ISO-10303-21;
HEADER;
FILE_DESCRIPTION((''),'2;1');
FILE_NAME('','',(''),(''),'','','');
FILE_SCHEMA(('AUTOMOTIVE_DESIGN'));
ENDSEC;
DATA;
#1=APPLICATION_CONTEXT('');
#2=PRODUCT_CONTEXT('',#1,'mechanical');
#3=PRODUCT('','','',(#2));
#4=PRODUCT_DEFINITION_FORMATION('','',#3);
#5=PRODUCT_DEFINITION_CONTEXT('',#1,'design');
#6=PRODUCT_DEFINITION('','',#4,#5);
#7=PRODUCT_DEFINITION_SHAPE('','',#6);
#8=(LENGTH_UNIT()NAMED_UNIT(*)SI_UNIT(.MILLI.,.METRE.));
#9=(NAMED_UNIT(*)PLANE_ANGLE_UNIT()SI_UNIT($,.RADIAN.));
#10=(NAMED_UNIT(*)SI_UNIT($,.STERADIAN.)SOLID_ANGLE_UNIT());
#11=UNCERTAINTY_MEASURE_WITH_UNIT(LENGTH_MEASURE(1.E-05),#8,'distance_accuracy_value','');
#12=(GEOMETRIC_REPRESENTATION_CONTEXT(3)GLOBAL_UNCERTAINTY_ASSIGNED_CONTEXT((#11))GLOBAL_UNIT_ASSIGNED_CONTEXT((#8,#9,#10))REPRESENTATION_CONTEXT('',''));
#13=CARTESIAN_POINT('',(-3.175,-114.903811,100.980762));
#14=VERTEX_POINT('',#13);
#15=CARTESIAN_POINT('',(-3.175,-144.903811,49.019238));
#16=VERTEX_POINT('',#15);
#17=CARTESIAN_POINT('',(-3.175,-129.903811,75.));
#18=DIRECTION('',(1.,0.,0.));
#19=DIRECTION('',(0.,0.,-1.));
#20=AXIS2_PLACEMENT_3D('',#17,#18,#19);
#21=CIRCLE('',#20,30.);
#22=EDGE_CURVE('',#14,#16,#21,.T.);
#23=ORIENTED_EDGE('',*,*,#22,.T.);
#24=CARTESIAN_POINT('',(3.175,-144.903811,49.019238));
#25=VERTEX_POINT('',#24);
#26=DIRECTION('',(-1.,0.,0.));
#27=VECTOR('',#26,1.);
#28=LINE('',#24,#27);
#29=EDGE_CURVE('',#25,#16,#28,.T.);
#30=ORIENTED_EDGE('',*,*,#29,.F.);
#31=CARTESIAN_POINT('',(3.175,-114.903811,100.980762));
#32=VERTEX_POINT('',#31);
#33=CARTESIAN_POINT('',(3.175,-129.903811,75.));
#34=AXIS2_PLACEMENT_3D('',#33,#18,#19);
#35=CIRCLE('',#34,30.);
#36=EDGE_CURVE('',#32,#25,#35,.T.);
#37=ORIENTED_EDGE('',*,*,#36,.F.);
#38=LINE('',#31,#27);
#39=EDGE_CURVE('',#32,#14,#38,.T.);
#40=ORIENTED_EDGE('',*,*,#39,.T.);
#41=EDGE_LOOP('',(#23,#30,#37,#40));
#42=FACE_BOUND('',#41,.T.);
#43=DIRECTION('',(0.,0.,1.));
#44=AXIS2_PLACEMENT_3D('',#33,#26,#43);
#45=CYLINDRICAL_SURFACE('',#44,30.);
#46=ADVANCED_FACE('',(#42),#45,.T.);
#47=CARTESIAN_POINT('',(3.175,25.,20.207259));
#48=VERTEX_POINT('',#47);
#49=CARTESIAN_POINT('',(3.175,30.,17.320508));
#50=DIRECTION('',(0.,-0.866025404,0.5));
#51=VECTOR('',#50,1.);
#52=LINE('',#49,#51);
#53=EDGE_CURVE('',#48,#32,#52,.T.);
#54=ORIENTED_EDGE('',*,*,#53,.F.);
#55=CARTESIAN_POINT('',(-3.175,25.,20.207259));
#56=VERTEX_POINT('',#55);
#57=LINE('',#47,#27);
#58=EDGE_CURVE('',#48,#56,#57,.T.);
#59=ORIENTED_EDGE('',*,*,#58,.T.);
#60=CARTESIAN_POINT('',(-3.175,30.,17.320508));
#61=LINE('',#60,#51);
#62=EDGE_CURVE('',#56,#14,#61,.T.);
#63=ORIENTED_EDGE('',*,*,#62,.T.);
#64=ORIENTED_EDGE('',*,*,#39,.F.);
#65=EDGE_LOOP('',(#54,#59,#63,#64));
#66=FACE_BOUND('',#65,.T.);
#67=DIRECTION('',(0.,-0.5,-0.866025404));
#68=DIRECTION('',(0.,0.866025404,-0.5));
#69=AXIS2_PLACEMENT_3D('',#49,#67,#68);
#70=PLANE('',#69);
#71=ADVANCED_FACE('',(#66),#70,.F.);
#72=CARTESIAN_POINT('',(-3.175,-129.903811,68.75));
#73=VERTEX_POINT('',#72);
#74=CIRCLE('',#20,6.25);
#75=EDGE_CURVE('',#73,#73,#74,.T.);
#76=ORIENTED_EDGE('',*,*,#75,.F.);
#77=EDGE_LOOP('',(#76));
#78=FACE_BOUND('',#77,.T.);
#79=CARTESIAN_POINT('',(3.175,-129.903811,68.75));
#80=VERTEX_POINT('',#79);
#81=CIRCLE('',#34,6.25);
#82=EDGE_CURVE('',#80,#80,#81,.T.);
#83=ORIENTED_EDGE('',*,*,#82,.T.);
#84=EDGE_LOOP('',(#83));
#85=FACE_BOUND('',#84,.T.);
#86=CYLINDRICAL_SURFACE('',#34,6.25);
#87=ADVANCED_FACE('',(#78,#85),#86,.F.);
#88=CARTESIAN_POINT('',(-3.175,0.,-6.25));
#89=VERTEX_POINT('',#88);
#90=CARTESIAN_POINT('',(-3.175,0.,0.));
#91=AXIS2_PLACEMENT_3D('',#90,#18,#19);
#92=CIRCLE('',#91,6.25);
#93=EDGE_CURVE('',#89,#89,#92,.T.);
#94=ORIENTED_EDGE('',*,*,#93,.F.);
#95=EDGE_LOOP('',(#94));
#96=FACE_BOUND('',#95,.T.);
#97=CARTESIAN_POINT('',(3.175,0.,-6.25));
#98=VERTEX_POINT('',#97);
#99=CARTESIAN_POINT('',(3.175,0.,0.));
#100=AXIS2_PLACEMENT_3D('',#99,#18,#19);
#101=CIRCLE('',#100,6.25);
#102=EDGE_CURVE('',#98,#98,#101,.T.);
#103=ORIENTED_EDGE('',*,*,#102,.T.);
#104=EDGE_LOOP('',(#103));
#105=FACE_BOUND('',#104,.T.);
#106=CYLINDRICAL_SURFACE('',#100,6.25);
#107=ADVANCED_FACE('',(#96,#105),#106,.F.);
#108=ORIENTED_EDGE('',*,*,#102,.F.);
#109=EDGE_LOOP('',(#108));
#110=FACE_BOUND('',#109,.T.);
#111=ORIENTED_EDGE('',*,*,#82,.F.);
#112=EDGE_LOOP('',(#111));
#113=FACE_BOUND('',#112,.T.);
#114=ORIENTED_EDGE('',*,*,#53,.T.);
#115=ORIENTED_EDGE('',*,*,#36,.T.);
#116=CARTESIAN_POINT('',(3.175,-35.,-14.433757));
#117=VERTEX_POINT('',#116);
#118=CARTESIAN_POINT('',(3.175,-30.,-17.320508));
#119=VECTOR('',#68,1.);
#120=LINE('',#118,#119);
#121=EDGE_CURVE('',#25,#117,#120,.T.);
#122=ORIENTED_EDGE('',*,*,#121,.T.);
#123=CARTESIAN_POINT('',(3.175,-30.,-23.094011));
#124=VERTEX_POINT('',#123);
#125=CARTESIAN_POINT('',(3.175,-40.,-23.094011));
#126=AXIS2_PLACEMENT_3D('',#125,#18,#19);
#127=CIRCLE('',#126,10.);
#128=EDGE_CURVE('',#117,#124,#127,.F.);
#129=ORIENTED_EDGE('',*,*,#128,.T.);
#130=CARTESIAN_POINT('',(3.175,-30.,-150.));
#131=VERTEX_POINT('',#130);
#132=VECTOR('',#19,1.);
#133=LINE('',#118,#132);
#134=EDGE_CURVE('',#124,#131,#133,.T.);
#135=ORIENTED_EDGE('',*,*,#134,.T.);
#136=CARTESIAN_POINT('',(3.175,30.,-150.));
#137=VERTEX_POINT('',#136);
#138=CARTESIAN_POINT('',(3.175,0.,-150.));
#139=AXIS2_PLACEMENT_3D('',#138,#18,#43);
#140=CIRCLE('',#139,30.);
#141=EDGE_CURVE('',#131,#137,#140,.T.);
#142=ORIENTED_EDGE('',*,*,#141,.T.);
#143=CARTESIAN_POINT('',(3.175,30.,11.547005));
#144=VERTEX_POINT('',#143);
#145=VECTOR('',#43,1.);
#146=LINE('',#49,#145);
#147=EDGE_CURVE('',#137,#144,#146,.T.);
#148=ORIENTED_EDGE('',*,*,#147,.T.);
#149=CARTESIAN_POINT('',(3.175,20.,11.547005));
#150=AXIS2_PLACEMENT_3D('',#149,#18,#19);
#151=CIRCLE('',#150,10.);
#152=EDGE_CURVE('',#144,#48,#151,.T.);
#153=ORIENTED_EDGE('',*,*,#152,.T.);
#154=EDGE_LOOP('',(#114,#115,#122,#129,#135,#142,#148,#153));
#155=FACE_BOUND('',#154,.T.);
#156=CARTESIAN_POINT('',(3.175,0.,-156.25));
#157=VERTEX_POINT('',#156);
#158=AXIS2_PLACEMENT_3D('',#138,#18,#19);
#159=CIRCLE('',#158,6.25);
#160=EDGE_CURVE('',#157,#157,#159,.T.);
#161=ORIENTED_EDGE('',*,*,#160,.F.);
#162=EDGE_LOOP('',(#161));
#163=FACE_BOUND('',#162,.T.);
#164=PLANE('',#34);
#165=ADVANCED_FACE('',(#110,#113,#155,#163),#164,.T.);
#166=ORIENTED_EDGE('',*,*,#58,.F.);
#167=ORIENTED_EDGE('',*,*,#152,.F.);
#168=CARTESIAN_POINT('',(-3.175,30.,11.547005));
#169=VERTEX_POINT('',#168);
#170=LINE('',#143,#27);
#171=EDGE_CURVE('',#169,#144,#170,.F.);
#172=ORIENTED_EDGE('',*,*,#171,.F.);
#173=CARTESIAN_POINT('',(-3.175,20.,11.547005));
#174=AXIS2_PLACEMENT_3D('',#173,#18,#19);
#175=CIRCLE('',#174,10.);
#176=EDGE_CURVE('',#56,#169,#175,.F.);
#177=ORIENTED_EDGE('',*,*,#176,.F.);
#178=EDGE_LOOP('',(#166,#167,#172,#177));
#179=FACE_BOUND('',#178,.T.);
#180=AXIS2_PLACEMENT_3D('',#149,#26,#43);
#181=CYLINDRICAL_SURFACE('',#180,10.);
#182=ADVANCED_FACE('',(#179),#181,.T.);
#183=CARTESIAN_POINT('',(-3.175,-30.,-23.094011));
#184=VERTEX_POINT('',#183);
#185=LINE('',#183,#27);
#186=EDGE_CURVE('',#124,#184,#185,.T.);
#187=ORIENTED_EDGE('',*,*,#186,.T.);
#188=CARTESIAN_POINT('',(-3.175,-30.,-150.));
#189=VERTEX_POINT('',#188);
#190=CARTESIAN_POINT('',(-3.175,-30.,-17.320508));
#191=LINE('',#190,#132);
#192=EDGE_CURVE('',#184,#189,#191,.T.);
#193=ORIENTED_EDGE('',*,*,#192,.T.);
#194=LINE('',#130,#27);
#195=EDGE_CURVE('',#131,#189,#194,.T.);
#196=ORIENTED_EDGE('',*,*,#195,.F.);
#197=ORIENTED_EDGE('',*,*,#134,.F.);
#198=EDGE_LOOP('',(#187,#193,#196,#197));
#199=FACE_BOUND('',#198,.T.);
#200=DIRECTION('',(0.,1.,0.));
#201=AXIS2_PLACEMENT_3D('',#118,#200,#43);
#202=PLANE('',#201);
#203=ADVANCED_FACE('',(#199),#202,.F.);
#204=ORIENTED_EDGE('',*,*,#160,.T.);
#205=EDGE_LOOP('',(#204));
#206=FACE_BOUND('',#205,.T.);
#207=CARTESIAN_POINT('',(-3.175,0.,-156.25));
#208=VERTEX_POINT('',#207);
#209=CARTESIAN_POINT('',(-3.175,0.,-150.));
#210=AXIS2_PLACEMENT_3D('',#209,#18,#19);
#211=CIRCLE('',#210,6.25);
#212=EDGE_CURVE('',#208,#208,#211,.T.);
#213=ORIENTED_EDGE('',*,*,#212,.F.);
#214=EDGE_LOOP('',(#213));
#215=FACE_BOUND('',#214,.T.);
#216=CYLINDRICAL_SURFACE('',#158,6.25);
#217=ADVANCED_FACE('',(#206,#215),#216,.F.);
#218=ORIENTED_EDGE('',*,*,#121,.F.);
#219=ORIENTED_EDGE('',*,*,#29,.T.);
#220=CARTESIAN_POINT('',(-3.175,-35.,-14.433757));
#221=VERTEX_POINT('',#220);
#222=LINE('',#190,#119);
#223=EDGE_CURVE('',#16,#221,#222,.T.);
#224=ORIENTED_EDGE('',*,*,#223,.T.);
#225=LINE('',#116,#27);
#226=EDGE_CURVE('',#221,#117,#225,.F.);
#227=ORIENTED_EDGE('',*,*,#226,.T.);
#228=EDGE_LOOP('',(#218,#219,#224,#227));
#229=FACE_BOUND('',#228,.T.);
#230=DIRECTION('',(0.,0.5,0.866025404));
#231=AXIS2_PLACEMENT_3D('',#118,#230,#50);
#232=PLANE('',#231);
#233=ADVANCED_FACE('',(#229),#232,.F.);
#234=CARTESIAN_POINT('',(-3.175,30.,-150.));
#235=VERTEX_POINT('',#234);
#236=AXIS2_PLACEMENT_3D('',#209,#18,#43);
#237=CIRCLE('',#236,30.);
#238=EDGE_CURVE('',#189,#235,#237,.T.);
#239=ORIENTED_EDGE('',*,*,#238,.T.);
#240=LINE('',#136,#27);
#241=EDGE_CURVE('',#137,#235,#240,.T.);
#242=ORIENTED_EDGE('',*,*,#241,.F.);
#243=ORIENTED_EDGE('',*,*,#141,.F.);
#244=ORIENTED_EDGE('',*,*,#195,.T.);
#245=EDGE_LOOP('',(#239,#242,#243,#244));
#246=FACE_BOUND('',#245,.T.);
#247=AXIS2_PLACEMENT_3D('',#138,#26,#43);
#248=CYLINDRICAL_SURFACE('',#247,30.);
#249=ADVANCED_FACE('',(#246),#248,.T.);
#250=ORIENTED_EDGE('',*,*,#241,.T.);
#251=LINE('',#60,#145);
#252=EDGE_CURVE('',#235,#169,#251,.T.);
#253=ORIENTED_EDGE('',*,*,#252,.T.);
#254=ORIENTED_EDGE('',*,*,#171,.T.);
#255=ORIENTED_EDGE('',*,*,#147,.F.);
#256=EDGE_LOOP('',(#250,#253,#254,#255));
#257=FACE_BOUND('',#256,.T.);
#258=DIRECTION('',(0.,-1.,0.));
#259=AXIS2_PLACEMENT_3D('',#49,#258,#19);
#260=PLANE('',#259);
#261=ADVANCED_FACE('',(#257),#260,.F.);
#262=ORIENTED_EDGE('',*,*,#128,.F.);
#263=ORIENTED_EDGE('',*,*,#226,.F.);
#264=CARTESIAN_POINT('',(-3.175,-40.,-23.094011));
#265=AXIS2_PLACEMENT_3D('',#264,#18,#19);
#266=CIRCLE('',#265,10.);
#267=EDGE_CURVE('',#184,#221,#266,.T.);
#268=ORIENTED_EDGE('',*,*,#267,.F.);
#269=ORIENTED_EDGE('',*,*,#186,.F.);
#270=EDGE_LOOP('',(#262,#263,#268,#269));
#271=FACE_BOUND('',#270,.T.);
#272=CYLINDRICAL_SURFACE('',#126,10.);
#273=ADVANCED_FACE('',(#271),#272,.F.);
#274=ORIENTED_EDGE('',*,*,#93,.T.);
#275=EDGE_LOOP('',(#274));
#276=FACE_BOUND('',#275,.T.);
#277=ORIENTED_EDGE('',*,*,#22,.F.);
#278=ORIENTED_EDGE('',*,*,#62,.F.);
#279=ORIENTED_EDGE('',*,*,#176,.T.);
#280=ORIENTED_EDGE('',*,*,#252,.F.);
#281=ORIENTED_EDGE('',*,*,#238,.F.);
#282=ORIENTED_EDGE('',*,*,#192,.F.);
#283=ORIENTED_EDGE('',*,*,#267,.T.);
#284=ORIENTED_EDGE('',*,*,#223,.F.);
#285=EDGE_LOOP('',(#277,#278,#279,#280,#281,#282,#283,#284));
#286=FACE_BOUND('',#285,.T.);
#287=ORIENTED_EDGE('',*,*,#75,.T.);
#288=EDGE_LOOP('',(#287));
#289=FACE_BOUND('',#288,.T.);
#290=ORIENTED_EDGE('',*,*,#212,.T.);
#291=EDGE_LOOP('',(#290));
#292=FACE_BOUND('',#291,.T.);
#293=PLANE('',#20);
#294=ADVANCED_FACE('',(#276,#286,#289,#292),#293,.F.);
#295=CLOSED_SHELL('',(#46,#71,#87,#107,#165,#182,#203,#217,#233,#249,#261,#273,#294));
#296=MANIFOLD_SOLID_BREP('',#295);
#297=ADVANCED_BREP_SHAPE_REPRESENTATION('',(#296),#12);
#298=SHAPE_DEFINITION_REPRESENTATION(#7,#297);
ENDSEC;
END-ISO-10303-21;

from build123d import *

# Parameters (mm, degrees)
SALIENTE_EXTRUIR1_DEPTH          = 3.175
DI_METRO_DE_TALADRO_6_0_12_5_1_D = 12.5
REDONDEO1_R                      = 10


with BuildPart() as part:
    # Croquis1 → Saliente-Extruir1 (new, symmetric)
    with BuildSketch(Plane(origin=(0, 0, 0), x_dir=(0, 0, -1), z_dir=(1, 0, 0))):
        with BuildLine():
            Line((-17.320508076, 30), (150, 30))
            ThreePointArc((150, 30), (180, 0), (150, -30))
            Line((150, -30), (17.320508076, -30))
            Line((17.320508076, -30), (-49.019237886, -144.903810568))
            ThreePointArc((-49.019237886, -144.903810568), (-90, -155.884572681), (-100.980762114, -114.903810568))
            Line((-100.980762114, -114.903810568), (-17.320508076, 30))
        make_face()
    extrude(amount=SALIENTE_EXTRUIR1_DEPTH, both=True)

    # Diámetro de taladro Ø6.0 (12.5)1 (through all)
    with Locations(Plane(origin=(3.175, 0, 0), x_dir=(0, 0, -1), z_dir=(1, 0, 0))):
        with Locations((0, 0), (-75, -129.903810568), (150, 0)):
            Hole(DI_METRO_DE_TALADRO_6_0_12_5_1_D / 2)

    # Redondeo1
    redondeo1_edges = [part.edges().sort_by_distance(p)[0] for p in [
        (0, 30, 17.320508076),
        (0, -30, -17.320508076),
    ]]
    fillet(redondeo1_edges, radius=REDONDEO1_R)


solid = part.part
